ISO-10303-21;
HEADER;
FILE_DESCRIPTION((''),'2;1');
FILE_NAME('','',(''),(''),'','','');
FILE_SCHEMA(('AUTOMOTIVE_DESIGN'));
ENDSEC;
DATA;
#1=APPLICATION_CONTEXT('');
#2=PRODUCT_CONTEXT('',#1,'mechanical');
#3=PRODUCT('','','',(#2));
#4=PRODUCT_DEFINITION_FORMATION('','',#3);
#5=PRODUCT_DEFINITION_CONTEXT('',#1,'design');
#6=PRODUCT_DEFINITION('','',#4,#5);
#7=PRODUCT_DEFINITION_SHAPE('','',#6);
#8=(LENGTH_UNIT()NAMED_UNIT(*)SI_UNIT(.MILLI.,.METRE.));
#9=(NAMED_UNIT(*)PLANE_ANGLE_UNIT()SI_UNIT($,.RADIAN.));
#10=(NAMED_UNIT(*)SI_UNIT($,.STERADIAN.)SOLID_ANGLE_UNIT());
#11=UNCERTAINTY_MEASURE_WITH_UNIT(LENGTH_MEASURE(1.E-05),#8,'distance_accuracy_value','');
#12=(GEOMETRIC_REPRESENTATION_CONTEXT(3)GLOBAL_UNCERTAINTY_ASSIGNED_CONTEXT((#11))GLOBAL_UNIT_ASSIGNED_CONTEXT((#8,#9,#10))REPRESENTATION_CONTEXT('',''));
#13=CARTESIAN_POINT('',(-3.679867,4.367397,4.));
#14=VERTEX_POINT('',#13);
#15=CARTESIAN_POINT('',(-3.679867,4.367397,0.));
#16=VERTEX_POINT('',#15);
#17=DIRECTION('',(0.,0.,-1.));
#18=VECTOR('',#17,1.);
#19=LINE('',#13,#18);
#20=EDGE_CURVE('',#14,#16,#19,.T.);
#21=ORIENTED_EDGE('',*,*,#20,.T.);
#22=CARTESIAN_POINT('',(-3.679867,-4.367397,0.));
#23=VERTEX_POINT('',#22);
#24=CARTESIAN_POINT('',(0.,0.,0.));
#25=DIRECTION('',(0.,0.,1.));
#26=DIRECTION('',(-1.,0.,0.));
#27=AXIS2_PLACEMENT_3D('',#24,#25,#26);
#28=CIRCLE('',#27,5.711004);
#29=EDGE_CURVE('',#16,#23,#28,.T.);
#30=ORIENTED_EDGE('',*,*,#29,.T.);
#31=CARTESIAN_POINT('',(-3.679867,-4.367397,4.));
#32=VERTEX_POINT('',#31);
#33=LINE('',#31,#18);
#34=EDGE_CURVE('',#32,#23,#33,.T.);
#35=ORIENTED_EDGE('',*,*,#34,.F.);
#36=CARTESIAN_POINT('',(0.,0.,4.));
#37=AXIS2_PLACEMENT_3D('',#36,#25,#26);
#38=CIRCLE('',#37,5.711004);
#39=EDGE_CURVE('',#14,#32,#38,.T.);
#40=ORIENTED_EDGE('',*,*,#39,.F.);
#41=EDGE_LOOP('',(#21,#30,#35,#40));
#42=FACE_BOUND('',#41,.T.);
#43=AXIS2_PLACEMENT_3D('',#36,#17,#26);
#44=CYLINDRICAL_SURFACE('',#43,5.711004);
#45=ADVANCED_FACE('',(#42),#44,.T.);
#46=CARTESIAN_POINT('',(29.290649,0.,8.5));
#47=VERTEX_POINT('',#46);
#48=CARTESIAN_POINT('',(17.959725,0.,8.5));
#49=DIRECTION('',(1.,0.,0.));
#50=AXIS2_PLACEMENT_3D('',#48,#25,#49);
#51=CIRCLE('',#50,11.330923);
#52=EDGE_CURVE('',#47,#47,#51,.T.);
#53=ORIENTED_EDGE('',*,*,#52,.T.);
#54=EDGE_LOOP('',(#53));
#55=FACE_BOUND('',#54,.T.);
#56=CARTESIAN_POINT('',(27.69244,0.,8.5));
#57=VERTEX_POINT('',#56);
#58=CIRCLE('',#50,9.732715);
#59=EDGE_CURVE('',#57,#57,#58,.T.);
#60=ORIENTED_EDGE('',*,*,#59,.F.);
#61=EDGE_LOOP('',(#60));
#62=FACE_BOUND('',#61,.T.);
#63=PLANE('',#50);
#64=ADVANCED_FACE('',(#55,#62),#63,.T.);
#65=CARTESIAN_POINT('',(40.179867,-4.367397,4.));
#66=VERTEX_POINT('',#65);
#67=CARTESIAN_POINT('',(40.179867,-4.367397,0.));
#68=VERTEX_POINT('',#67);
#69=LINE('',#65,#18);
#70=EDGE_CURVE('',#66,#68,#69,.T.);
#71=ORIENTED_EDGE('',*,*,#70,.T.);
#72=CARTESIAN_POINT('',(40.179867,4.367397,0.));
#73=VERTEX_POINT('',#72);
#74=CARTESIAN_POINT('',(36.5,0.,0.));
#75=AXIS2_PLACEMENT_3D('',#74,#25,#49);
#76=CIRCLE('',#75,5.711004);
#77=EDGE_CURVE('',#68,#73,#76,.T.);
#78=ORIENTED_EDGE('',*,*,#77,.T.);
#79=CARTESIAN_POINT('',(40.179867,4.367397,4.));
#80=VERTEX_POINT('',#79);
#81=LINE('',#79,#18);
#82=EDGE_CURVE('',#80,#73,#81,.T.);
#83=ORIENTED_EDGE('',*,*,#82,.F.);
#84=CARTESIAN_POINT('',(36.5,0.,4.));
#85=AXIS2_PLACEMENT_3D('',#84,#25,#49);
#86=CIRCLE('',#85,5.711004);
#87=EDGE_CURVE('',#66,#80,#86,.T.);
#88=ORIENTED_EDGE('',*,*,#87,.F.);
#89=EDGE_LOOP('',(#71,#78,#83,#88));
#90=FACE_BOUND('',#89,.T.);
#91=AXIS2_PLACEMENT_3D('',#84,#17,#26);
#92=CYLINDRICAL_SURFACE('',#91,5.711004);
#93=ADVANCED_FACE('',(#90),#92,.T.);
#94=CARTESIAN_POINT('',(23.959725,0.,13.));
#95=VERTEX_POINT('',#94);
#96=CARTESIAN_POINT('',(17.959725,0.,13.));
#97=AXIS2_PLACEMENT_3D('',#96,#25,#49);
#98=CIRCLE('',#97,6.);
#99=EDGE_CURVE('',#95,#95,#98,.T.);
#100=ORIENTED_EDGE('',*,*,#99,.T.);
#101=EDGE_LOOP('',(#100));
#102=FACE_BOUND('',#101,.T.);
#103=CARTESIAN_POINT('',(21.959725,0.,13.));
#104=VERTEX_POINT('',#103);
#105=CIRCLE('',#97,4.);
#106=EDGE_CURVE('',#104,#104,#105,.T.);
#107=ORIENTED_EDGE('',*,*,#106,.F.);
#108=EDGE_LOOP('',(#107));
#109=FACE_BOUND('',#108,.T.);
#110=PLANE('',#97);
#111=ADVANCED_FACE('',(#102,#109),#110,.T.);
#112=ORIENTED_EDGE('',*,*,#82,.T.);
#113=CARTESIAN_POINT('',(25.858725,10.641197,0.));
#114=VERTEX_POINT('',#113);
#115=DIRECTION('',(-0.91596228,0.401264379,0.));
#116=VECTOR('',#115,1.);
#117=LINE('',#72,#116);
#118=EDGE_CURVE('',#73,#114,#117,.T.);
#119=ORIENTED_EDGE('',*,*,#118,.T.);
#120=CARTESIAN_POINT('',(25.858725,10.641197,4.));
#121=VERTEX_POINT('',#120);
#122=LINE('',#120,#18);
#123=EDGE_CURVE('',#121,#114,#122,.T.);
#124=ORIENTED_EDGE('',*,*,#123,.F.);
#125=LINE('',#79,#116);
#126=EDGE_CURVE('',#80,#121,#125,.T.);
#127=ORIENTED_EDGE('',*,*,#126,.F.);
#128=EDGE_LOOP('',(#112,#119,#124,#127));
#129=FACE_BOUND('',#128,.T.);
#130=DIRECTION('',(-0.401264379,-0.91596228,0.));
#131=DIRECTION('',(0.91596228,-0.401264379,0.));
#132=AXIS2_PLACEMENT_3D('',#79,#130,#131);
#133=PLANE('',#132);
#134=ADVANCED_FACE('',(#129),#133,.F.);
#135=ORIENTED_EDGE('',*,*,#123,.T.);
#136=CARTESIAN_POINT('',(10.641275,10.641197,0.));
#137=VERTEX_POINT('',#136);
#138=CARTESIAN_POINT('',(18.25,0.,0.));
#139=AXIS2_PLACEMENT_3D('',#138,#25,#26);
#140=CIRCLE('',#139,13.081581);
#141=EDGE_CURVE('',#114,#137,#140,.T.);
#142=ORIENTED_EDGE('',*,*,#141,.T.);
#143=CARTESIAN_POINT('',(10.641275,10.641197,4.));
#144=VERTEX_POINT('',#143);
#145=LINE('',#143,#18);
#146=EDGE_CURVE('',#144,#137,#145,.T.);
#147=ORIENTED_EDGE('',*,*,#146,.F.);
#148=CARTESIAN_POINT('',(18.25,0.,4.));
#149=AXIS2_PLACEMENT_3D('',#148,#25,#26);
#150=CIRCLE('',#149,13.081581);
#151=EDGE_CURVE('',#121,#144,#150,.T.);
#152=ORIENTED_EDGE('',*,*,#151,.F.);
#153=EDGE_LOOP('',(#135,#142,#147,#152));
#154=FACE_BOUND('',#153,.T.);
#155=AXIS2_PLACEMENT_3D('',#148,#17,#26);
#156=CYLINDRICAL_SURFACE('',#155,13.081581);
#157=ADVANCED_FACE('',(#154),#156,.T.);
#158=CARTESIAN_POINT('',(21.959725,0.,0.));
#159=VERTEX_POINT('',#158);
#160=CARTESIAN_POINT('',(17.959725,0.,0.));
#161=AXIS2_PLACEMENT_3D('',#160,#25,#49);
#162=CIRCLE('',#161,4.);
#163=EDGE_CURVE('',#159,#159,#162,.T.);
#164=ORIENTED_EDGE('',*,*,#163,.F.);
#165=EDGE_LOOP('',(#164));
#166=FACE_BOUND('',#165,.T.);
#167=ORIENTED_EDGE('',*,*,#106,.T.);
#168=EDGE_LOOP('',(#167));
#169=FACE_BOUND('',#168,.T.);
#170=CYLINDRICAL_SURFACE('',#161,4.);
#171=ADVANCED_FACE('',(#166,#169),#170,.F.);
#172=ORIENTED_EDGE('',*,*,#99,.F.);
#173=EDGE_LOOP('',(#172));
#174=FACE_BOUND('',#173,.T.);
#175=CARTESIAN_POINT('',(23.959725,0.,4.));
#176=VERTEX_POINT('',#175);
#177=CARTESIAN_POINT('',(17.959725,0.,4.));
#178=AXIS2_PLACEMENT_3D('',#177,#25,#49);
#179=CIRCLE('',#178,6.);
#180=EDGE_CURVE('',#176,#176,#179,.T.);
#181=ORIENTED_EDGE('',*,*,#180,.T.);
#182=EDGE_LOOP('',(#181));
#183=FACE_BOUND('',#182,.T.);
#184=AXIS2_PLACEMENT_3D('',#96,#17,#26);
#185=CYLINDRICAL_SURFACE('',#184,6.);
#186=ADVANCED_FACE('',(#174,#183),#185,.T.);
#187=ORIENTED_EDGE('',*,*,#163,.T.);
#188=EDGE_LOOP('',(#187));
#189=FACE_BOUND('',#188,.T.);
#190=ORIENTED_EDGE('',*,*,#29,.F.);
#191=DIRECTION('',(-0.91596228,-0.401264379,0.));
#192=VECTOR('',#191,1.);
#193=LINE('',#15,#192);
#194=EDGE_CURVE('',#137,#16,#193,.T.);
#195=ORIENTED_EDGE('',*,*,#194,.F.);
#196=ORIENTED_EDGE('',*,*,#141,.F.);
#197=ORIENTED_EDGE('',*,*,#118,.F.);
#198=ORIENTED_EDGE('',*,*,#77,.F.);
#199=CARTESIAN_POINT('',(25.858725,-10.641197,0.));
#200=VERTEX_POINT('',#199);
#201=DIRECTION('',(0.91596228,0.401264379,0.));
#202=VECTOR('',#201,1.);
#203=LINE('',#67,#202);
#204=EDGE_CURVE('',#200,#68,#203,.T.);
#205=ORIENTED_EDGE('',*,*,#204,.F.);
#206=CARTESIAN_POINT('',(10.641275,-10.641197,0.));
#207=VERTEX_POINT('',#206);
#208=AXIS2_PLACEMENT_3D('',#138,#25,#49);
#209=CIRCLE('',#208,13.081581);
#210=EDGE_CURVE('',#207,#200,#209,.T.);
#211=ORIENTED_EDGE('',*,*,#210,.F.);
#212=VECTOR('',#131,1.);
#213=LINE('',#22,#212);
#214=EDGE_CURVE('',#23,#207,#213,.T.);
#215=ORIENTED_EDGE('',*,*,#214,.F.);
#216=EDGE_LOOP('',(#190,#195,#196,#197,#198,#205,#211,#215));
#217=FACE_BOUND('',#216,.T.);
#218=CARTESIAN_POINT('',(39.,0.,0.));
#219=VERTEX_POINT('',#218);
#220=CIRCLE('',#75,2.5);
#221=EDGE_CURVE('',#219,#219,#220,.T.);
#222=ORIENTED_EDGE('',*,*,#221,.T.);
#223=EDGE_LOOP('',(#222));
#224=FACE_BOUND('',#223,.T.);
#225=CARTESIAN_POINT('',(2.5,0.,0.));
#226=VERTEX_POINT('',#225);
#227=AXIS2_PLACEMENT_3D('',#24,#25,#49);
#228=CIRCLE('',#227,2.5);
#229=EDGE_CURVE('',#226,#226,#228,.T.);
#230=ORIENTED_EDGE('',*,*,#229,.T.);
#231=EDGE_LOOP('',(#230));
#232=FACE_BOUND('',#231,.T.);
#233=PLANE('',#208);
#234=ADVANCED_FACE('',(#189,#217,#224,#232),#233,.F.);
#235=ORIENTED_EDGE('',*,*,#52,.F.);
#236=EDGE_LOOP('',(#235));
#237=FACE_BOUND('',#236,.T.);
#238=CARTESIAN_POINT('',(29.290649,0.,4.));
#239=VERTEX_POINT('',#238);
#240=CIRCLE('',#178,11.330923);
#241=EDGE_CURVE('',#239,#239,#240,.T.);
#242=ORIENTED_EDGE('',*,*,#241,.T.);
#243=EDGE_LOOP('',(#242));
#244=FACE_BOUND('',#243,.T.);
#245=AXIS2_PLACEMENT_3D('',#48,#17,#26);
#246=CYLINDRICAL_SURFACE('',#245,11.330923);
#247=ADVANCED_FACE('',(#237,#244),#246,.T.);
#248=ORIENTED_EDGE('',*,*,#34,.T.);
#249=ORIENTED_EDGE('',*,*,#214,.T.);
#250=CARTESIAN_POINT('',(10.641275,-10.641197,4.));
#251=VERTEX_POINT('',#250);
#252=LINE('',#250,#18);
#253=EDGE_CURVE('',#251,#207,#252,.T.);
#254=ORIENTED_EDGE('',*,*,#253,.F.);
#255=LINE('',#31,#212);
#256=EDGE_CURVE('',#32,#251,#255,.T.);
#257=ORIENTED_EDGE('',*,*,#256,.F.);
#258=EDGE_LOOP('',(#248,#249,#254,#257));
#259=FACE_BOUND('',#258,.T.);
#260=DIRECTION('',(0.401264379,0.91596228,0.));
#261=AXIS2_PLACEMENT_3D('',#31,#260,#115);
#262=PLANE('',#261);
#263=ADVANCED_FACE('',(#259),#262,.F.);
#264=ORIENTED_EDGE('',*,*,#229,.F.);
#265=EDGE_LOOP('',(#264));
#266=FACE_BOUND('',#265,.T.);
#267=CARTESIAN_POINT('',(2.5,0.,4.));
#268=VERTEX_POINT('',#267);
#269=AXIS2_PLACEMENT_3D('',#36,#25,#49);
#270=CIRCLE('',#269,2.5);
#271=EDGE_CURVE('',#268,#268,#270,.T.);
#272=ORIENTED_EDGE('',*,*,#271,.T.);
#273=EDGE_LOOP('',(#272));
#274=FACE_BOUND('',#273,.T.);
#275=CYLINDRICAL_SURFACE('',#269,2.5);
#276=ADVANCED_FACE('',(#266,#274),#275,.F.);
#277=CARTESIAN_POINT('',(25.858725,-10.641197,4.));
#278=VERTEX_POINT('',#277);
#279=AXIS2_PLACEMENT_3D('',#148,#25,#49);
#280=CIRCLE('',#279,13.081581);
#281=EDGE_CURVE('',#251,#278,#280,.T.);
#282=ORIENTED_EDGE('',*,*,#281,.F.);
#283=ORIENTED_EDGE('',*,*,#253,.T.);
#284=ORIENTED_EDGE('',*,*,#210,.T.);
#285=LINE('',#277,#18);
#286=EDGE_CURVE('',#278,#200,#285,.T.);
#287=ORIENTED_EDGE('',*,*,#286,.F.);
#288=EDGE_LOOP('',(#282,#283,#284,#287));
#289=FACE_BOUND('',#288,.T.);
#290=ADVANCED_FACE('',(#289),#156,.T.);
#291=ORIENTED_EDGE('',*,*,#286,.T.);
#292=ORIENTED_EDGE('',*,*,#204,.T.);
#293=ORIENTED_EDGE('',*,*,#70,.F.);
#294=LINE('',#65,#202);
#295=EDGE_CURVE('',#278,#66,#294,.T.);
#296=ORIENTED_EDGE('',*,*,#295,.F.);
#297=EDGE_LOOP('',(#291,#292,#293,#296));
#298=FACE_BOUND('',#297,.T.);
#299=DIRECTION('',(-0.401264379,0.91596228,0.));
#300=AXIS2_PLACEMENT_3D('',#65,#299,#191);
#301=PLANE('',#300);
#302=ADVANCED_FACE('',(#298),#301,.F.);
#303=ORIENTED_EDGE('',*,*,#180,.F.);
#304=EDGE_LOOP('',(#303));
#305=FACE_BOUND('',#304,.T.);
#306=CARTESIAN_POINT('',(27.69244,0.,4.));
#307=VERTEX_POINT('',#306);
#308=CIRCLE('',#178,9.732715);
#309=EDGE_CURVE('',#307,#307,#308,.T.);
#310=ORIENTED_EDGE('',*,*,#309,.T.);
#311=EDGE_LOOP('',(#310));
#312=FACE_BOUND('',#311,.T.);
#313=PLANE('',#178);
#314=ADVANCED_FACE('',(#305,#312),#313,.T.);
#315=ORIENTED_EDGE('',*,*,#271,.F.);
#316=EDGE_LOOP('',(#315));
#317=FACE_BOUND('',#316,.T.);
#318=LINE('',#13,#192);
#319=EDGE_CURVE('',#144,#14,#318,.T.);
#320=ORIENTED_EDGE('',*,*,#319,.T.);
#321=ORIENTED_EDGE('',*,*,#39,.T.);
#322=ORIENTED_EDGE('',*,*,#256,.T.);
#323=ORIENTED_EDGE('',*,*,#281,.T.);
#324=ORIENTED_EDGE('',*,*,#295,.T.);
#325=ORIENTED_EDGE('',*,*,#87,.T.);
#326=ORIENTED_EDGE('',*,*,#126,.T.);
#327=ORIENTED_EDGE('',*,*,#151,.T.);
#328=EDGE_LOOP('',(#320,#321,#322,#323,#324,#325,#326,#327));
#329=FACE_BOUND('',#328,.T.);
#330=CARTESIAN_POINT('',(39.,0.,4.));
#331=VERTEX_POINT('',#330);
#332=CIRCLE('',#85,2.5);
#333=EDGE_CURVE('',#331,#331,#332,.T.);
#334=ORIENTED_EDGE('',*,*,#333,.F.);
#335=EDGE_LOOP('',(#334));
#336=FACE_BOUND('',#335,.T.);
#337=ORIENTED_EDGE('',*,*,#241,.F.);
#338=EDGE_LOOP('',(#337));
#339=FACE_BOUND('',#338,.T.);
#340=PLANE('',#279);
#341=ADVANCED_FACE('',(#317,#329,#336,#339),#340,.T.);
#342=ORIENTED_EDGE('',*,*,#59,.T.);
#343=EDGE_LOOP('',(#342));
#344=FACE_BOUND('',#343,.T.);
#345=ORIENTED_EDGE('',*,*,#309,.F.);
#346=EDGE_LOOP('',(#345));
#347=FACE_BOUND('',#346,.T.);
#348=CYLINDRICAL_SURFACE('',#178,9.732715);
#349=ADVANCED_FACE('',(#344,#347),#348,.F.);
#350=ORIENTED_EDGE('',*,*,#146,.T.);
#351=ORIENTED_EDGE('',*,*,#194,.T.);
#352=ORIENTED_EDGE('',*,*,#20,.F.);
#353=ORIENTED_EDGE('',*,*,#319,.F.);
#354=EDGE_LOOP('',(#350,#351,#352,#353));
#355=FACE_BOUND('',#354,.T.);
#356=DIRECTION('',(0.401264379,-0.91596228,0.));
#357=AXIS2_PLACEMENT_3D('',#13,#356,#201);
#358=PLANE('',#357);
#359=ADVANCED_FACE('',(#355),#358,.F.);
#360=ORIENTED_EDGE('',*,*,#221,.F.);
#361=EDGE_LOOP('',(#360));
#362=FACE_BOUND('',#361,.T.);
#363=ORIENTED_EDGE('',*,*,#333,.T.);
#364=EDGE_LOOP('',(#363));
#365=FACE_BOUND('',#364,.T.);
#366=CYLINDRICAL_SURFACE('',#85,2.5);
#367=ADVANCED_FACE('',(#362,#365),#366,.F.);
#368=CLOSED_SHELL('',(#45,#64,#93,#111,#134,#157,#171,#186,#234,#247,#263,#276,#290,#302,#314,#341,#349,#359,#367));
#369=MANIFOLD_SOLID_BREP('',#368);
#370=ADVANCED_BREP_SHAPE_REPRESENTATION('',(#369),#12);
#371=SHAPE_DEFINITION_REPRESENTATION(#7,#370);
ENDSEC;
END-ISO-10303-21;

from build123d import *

# Parameters (mm, degrees)
EXTRUDE_1_DEPTH       = 4
HOLE_WIZARD_5_0_5_1_D = 5
SKETCH_4_R            = 11.330923122
EXTRUDE_2_DEPTH       = 4.5
SKETCH_5_R            = 9.73271474
CUT_EXTRUDE_1_DEPTH   = 4.5
SKETCH_6_R            = 6
EXTRUDE_3_DEPTH       = 9
SKETCH_7_R            = 4
CUT_EXTRUDE_2_DEPTH   = 47.064049502


with BuildPart() as part:
    # 草图1 → 凸台-拉伸1 (new body)
    with BuildSketch(Plane.XY):
        with BuildLine():
            Line((-3.679866613, 4.367396682), (10.641275218, 10.64119661))
            ThreePointArc((10.641275218, 10.64119661), (18.25, 13.081580872), (25.858724782, 10.64119661))
            Line((25.858724782, 10.64119661), (40.179866613, 4.367396682))
            ThreePointArc((40.179866613, 4.367396682), (42.21100447, 0), (40.179866613, -4.367396682))
            Line((40.179866613, -4.367396682), (25.858724782, -10.64119661))
            ThreePointArc((25.858724782, -10.64119661), (18.25, -13.081580872), (10.641275218, -10.64119661))
            Line((10.641275218, -10.64119661), (-3.679866613, -4.367396682))
            ThreePointArc((-3.679866613, -4.367396682), (-5.71100447, 0), (-3.679866613, 4.367396682))
        make_face()
    extrude(amount=EXTRUDE_1_DEPTH)

    # Ø5.0 (5) 直径孔1 (through all)
    with Locations(Plane.XY.offset(4)):
        with Locations((0, 0), (36.5, 0)):
            Hole(HOLE_WIZARD_5_0_5_1_D / 2)

    # 草图4 → 凸台-拉伸2 (add)
    with BuildSketch(Plane.XY.offset(4)):
        with Locations((17.959725488, 0)):
            Circle(SKETCH_4_R)
    extrude(amount=EXTRUDE_2_DEPTH)

    # 草图5 → 切除-拉伸1 (cut)
    with BuildSketch(Plane.XY.offset(8.5)):
        with Locations((17.959725488, 0)):
            Circle(SKETCH_5_R)
    extrude(amount=-CUT_EXTRUDE_1_DEPTH, mode=Mode.SUBTRACT)

    # 草图6 → 凸台-拉伸3 (add)
    with BuildSketch(Plane.XY.offset(4)):
        with Locations((17.959725488, 0)):
            Circle(SKETCH_6_R)
    extrude(amount=EXTRUDE_3_DEPTH)

    # 草图7 → 切除-拉伸2 (cut, through all)
    with BuildSketch(Plane.XY.offset(13)):
        with Locations((17.959725488, 0)):
            Circle(SKETCH_7_R)
    extrude(amount=-CUT_EXTRUDE_2_DEPTH, mode=Mode.SUBTRACT)


solid = part.part
